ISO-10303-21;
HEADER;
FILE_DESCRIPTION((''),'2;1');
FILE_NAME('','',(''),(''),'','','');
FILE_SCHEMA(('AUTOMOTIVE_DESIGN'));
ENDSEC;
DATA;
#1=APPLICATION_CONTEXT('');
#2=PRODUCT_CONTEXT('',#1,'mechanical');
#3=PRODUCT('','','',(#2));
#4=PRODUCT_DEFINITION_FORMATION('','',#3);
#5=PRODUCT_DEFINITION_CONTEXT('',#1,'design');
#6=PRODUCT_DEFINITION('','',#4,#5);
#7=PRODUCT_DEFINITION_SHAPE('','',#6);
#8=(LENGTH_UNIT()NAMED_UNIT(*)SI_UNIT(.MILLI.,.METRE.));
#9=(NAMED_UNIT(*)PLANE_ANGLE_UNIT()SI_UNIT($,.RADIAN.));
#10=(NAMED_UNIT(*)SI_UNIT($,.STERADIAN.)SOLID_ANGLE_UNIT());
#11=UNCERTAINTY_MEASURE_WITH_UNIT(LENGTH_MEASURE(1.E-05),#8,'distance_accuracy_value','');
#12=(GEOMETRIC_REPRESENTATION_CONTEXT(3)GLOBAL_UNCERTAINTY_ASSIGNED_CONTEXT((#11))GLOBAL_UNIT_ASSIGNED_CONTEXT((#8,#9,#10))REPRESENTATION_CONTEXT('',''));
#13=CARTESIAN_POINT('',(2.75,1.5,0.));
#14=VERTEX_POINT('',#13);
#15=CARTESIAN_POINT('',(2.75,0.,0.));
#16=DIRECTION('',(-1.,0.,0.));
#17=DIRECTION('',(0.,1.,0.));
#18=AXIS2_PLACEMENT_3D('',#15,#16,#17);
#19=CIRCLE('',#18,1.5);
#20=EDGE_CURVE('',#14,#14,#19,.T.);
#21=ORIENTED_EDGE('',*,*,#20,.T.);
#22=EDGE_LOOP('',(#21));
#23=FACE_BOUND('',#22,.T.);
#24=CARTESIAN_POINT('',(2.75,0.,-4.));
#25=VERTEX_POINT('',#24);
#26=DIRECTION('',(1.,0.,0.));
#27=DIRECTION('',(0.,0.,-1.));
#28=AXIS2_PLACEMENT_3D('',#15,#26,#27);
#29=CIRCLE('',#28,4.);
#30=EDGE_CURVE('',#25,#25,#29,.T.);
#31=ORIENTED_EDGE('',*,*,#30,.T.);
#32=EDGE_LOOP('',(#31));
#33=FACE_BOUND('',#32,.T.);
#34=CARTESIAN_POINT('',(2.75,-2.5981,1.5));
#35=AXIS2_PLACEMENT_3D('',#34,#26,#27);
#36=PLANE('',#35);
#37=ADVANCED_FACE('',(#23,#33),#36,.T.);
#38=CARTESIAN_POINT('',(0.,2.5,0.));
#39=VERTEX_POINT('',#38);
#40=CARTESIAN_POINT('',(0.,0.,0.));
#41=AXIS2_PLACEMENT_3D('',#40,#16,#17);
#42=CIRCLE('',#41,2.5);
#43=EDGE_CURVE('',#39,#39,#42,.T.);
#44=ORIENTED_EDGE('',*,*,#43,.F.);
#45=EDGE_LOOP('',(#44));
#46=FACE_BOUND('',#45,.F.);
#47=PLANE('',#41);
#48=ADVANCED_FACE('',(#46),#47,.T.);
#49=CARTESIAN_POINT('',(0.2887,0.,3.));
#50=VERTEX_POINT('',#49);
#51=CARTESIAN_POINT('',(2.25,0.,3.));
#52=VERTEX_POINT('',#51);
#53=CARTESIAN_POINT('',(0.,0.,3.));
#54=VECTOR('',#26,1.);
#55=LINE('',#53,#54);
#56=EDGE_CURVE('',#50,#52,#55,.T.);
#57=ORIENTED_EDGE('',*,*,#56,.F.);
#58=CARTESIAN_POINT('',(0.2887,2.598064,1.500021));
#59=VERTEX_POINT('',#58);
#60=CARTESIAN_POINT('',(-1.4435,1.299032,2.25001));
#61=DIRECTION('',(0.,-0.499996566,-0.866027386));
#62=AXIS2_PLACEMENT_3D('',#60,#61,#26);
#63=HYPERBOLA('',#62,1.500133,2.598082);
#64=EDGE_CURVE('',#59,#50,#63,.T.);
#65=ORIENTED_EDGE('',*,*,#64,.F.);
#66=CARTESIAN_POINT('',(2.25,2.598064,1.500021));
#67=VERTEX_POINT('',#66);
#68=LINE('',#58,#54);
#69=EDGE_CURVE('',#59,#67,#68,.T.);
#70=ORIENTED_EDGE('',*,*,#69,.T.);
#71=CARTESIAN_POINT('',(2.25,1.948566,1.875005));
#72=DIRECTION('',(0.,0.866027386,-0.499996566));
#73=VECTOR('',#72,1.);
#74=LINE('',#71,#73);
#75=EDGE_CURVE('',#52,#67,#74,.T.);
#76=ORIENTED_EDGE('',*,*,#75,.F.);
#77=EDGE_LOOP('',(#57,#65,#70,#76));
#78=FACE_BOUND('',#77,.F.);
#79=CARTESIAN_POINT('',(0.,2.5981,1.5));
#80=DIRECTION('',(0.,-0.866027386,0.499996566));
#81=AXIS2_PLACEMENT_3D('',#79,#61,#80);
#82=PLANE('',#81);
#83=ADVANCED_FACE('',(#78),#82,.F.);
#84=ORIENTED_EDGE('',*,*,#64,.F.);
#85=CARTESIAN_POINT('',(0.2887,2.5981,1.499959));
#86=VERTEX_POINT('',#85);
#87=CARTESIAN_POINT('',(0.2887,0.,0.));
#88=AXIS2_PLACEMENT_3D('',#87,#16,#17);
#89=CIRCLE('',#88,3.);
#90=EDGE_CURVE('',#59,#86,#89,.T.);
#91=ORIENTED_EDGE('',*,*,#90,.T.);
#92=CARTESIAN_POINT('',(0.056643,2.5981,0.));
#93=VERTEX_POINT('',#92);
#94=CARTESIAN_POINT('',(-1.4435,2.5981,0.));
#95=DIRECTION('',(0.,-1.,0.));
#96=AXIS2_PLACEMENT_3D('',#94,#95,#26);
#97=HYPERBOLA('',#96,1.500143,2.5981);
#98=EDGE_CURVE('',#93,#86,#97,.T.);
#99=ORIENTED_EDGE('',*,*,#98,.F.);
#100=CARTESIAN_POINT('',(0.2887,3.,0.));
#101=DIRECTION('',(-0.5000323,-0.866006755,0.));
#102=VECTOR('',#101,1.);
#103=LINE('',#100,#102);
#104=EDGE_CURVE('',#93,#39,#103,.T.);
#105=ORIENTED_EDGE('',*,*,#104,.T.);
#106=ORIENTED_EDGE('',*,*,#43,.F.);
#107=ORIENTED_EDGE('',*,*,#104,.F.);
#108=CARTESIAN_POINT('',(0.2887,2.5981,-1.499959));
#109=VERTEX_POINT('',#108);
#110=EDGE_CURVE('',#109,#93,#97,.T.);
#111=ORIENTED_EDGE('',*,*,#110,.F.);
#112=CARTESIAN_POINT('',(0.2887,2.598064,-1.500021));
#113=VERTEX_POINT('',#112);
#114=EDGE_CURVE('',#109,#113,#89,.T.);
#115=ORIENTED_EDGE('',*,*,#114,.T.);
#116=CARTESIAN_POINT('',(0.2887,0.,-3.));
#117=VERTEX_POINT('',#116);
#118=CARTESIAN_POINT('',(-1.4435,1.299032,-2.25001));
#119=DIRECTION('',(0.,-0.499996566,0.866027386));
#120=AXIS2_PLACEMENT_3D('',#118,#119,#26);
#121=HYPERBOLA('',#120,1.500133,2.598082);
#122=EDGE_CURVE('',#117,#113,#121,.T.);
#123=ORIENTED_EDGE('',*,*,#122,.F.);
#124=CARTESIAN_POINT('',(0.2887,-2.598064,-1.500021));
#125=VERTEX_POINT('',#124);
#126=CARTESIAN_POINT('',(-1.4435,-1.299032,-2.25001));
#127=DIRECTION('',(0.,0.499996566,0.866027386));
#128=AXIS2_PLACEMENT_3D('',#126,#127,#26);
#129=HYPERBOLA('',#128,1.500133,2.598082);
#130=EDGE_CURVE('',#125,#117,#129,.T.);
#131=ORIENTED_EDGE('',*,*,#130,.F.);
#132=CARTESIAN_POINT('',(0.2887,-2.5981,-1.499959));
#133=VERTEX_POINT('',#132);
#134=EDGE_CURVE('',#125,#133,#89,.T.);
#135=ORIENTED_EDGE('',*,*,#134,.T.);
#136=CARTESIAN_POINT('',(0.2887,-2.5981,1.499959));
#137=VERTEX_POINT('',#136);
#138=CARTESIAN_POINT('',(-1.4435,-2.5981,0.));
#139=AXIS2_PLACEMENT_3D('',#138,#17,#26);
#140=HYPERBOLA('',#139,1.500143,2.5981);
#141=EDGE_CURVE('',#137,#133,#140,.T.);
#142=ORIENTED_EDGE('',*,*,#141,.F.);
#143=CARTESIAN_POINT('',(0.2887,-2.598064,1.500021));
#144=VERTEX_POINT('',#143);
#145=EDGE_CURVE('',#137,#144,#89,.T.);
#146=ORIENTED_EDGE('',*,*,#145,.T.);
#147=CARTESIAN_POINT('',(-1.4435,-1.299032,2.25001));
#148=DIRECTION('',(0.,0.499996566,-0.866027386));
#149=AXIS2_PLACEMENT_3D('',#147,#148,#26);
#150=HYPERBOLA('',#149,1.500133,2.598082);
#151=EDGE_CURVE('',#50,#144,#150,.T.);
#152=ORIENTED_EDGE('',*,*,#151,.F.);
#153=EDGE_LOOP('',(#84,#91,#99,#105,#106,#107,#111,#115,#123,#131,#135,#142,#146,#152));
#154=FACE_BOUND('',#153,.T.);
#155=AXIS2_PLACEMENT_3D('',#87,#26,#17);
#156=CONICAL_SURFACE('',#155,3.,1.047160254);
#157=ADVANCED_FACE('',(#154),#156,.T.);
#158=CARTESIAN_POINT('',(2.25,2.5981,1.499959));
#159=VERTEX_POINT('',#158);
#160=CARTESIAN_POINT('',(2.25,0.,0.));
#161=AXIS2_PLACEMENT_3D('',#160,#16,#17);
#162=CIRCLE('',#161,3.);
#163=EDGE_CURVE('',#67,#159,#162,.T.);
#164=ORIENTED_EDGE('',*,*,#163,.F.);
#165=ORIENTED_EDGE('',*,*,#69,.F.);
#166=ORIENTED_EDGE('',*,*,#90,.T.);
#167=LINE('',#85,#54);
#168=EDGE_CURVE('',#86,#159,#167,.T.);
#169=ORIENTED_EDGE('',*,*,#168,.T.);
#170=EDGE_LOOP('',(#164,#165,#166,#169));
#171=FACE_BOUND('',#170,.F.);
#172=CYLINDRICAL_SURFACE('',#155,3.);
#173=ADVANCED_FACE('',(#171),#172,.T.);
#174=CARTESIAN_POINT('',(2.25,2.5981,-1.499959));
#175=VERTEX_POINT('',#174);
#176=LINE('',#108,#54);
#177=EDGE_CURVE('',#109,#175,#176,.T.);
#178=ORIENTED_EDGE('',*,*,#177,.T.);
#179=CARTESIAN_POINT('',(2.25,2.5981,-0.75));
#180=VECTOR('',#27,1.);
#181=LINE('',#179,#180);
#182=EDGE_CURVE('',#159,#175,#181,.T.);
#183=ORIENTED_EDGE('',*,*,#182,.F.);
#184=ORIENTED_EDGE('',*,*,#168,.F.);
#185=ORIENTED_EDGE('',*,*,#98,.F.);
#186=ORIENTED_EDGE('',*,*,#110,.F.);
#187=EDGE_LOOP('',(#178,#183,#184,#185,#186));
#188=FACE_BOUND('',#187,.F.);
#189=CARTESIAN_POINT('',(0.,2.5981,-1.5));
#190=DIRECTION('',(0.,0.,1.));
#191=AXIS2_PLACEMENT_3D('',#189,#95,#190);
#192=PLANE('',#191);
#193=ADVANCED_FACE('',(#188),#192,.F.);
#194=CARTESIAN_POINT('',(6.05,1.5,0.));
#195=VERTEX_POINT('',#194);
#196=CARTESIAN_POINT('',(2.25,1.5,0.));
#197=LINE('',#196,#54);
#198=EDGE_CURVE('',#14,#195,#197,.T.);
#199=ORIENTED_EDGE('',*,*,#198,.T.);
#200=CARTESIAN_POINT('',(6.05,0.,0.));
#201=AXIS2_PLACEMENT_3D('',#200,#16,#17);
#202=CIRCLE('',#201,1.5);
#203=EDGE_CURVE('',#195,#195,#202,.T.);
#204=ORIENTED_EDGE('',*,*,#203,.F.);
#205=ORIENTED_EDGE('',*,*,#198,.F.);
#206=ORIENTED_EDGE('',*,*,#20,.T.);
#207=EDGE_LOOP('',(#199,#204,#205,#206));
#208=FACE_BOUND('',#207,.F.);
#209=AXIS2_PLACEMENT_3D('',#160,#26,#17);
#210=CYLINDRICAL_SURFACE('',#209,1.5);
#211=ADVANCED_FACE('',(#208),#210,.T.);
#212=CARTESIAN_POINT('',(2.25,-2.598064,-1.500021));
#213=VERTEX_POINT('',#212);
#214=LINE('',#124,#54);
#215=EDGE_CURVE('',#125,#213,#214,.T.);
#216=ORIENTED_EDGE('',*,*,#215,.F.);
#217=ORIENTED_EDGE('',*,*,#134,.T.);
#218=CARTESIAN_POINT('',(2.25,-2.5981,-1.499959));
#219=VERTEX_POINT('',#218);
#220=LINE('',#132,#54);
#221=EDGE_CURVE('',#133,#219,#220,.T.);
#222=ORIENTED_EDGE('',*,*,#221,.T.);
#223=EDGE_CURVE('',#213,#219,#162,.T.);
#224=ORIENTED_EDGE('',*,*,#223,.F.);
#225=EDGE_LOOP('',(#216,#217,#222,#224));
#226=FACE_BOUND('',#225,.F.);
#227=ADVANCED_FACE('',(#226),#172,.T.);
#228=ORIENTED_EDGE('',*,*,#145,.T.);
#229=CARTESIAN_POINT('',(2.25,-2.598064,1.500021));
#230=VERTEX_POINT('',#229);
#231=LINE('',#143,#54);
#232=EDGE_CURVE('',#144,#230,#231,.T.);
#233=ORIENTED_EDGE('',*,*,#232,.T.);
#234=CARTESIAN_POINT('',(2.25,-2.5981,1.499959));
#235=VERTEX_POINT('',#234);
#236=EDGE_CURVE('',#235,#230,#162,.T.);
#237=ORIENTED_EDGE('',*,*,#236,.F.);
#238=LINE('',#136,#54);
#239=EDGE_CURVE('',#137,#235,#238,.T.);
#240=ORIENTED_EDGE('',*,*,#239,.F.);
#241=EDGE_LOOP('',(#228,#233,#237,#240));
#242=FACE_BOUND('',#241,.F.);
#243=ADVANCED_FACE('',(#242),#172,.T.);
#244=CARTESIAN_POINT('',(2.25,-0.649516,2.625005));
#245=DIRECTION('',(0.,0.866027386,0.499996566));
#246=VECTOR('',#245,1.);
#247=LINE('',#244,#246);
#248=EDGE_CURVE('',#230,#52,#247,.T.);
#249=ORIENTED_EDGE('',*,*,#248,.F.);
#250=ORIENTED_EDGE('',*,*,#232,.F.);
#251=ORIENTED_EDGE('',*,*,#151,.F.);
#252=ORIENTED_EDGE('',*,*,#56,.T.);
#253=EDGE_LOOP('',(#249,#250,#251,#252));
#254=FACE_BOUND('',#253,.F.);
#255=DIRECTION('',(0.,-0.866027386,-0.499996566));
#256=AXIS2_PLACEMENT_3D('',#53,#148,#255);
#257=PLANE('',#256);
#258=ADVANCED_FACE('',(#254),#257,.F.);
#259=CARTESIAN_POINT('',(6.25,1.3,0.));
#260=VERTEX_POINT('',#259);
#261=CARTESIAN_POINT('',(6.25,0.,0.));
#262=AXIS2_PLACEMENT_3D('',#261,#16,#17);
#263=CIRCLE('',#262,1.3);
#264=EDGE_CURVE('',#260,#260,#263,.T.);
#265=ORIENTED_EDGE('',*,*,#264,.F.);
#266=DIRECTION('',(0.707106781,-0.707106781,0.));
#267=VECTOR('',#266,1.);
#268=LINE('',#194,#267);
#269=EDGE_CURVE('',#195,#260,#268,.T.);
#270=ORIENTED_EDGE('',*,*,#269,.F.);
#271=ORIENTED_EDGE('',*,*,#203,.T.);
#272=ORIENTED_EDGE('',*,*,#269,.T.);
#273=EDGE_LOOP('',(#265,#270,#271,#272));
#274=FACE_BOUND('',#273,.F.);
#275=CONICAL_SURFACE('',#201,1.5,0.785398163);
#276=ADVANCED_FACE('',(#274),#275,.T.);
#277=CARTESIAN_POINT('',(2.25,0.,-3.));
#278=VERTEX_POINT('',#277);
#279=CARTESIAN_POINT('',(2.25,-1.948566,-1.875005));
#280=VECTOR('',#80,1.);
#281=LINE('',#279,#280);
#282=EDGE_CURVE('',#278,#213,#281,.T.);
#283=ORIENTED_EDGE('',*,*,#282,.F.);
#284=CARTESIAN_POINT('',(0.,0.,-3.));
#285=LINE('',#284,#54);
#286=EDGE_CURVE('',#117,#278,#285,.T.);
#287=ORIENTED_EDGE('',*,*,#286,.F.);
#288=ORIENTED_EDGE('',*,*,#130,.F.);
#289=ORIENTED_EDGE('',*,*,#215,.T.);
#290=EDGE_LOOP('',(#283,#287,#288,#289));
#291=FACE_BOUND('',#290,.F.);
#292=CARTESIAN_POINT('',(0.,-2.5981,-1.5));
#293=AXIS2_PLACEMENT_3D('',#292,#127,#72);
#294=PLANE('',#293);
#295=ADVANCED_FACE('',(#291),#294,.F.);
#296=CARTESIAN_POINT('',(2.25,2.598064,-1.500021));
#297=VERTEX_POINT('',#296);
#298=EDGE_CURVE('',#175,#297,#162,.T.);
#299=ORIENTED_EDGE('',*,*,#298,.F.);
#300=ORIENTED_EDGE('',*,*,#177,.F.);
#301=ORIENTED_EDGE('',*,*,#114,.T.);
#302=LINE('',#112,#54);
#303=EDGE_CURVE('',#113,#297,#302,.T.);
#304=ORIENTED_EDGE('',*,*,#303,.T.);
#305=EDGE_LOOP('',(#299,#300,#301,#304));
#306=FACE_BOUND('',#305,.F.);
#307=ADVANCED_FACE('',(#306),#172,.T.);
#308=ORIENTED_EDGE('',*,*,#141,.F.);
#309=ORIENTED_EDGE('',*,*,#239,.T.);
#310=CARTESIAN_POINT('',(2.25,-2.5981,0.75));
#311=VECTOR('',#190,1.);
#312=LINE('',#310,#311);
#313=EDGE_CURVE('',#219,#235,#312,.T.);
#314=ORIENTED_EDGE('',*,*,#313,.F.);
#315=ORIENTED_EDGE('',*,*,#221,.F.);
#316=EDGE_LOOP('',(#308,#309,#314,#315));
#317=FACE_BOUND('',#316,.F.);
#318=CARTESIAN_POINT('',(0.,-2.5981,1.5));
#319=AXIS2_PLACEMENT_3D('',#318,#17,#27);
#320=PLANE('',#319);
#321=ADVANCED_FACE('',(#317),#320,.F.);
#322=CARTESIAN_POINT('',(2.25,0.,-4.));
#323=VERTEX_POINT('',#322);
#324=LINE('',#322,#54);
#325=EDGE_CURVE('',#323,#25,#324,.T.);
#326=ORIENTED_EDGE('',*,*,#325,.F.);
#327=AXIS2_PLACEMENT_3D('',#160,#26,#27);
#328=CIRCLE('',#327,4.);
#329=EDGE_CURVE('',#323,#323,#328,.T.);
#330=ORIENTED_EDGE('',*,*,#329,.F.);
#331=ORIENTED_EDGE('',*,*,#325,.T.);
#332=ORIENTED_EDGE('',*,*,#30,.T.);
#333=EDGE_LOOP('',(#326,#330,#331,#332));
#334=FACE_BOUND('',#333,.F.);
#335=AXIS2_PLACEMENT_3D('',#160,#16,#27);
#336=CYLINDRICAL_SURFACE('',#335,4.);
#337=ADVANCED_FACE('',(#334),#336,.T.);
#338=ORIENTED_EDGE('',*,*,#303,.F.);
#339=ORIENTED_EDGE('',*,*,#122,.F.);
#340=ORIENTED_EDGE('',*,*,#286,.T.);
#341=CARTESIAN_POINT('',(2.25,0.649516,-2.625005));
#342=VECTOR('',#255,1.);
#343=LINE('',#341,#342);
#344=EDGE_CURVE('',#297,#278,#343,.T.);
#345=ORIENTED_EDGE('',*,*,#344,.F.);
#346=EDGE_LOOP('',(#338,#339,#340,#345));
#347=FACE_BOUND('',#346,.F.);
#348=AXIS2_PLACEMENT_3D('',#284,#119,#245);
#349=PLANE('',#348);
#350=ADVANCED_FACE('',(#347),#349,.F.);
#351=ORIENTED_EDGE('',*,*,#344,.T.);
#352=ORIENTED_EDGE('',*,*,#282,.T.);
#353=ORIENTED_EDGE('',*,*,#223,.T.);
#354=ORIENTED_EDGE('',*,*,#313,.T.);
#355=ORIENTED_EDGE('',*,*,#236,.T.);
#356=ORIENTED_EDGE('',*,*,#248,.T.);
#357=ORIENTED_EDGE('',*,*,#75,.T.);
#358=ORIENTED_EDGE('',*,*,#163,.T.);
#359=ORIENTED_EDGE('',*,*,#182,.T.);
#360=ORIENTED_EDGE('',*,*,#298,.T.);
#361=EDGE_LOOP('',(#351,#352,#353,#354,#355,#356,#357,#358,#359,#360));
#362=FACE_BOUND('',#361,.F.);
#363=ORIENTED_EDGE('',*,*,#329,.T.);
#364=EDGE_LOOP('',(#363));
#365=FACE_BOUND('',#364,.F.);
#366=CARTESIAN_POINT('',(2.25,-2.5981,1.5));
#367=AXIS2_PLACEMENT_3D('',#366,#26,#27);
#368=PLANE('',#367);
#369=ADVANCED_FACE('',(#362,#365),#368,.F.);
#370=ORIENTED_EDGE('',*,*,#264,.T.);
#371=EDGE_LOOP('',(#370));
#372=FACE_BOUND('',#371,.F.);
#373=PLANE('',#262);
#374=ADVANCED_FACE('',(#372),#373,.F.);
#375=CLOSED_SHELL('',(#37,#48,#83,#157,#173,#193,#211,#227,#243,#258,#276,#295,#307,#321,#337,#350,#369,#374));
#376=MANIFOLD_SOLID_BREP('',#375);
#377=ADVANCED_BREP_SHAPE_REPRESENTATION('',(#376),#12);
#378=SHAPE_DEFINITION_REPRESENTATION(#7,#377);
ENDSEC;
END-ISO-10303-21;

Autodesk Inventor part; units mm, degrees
ref_plane "YZ Plane" through (0, 0, 0) normal (1, 0, 0) x (0, 1, 0)
ref_plane "XZ Plane" through (0, 0, 0) normal (0, 1, 0) x (-1, 0, 0)
ref_plane "XY Plane" through (0, 0, 0) normal (0, 0, 1) x (1, 0, 0)
sketch "Sketch15" plane through (0, 0, 0) normal (0, 0, 1) x (1, 0, 0)
  line L0 (0, 0) -> (0, 2.5)
  line L1 (0.2887, 3) -> (2.25, 3)
  line L2 (3, 4.4) -> (3, 4.4)
  line L3 (2.25, 1.5) -> (6.25, 1.5)
  line L4 (6.25, 0) -> (0, 0)
  line L5 (0.2887, 3) -> (0, 2.5)
  line L6 (2.25, 1.5) -> (2.25, 3)
  line L7 (6.25, 1.5) -> (6.25, 0)
  dimension "d83" = 30
  dimension "d84" = 1.5
  dimension "d86" = 0.5
  dimension "d87" = 3
  dimension "d116" = 2.25
  dimension "d117" = 4
revolve "Revolution1" add sketch "Sketch15" angle 360 about axis through (6.25, 0, 0) along (-1, 0, 0)
sketch "Sketch16" plane through (0, 0, 0) normal (-1, 0, 0) x (0, 0, 1)
  circle A0 centre (0, 0) radius 2.5 projected
  line L0 (1.5, 2.5981) -> (3, 0)
  line L1 (3, 0) -> (1.5, -2.5981)
  line L2 (1.5, -2.5981) -> (-1.5, -2.5981)
  line L3 (-1.5, -2.5981) -> (-3, 0)
  line L4 (-3, 0) -> (-1.5, 2.5981)
  line L5 (-1.5, 2.5981) -> (1.5, 2.5981)
  circle A1 centre (0, 0) radius 5.2707
  dimension "d128" = 3
extrude "Extrusion15" cut sketch "Sketch16" against normal blind 5 contours A1
chamfer "Chamfer5" distance 0.2 angle 45 1 edges at (6.25, -1.5, 0)
thread "Thread7" size "M3x0.5" class "6g" standard "ANSI Metric M Profile" full length
sketch "Sketch19" plane through (2.25, -2.5981, 1.5) normal (1, 0, 0) x (0, 0, -1)
  circle A0 centre (1.5, 2.5981) radius 1.5 projected
  circle A1 centre (1.5, 2.5981) radius 4
  dimension "d131" = 8
extrude "Extrusion18" add sketch "Sketch19" along normal blind 0.5
sketch "Boceto20" plane through (0, 0, 0) normal (-1, 0, 0) x (0, 0, 1)
  circle A0 centre (0, 0) radius 1.3 projected
properties part number "Bolt3W" material "Acero, alta resistencia, aleación baja"
